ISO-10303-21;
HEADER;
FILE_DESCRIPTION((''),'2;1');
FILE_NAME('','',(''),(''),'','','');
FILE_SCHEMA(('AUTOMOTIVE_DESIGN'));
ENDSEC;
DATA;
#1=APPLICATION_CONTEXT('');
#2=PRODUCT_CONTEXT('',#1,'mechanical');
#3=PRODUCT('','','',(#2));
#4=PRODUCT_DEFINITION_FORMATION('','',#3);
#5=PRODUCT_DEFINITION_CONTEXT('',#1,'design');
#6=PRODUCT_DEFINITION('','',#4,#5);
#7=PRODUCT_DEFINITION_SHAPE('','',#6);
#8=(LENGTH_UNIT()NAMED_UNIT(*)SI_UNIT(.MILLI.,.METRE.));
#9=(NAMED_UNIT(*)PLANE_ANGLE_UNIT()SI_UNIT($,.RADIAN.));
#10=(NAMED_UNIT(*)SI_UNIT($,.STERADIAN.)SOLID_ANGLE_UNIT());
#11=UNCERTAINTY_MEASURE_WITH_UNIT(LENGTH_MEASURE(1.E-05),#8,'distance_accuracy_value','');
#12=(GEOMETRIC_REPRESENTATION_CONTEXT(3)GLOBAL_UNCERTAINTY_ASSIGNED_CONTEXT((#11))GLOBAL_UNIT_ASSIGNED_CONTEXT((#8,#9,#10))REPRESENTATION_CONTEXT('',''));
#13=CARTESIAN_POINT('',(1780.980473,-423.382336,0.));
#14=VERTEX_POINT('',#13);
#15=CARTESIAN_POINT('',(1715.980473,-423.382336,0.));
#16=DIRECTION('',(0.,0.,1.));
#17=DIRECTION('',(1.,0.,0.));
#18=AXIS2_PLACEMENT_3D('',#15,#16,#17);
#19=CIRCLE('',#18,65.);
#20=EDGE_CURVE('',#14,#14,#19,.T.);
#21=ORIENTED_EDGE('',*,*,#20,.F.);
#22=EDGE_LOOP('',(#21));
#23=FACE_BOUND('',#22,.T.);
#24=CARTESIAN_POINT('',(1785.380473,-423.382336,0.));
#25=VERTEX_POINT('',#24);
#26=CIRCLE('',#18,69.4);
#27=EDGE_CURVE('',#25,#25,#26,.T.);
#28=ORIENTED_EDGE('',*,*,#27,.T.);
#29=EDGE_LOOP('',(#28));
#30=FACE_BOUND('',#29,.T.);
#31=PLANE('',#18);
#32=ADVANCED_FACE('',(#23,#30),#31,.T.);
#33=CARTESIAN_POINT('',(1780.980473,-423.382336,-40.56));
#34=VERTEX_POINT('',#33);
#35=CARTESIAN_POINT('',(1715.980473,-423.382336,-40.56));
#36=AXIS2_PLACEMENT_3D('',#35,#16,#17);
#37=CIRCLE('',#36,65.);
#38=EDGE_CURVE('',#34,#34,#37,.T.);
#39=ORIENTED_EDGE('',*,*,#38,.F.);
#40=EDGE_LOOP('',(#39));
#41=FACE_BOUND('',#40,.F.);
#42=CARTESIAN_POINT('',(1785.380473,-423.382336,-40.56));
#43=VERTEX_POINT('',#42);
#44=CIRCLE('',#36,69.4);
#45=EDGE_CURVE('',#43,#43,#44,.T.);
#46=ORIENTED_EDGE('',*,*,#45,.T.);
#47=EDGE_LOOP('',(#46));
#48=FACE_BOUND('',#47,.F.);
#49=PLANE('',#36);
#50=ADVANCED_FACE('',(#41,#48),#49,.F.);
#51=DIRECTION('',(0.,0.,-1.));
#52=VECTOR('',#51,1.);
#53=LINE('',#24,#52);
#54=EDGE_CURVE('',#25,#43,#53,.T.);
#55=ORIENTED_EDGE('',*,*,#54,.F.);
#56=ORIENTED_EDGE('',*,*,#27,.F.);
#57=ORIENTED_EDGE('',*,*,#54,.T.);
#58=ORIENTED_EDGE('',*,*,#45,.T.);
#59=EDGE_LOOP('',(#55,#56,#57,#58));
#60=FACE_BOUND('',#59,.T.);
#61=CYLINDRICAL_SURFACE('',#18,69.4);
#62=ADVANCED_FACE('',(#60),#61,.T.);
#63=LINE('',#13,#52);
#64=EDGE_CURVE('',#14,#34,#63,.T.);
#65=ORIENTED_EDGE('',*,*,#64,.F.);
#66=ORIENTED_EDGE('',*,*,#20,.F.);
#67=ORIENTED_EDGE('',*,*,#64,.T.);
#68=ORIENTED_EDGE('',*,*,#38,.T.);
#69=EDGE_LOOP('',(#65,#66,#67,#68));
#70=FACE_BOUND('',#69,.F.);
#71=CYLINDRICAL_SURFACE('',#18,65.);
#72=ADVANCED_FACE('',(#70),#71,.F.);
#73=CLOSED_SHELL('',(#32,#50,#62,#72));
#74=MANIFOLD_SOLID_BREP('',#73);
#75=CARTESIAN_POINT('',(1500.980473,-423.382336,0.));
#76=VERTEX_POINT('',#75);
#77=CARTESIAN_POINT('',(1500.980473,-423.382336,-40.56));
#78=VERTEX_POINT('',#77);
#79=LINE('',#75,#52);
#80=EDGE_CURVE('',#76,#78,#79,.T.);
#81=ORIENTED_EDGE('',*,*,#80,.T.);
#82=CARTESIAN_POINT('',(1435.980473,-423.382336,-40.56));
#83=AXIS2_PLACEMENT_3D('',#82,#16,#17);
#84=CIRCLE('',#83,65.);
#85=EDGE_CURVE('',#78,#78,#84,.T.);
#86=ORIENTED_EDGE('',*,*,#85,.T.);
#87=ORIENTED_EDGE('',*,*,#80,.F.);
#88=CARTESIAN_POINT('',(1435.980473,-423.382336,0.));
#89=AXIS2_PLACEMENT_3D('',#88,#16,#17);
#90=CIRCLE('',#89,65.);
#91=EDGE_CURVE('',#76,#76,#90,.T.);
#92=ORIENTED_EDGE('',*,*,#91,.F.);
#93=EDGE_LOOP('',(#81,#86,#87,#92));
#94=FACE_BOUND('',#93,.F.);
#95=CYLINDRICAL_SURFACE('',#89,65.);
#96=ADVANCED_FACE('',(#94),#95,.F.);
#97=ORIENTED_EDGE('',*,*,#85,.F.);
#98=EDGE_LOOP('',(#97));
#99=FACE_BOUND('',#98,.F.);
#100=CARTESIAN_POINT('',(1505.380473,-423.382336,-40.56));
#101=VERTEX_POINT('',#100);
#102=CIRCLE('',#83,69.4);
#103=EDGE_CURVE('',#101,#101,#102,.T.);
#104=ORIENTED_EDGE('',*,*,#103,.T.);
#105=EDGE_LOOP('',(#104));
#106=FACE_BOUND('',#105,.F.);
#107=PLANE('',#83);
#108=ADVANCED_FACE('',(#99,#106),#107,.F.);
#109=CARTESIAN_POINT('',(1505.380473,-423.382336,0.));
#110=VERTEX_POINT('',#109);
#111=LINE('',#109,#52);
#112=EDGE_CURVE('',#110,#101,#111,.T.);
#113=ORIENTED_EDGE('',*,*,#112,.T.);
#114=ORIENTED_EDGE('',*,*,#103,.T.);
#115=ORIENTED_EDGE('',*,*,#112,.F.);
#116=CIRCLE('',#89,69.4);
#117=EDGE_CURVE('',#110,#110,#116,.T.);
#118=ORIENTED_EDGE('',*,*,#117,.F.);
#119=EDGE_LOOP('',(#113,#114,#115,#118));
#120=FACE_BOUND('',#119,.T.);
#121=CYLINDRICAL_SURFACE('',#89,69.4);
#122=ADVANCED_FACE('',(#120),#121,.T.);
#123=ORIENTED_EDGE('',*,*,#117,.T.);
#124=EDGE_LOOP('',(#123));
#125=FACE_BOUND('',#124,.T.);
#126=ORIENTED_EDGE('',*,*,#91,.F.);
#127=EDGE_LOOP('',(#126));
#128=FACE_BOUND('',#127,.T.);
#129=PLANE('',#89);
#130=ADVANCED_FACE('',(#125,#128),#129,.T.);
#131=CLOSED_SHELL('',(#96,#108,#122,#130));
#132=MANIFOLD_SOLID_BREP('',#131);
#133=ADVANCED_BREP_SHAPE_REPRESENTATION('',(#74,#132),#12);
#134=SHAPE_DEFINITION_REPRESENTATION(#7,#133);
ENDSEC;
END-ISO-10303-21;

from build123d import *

# Parameters (mm, degrees)
SKETCH1_R             = 69.4
SKETCH1_R_2           = 65
BOSS_EXTRUDE1_DEPTH   = 40.56
BOSS_EXTRUDE1_2_DEPTH = 40.56


with BuildPart() as part:
    # Sketch1 → Boss-Extrude1 (new body)
    with BuildSketch(Plane.XY):
        with Locations((1715.980472759, -423.382336202)):
            Circle(SKETCH1_R)
        with Locations((1715.980472759, -423.382336202)):
            Circle(SKETCH1_R_2, mode=Mode.SUBTRACT)
    extrude(amount=-BOSS_EXTRUDE1_DEPTH)


with BuildPart() as body_2:
    # Sketch1 → Boss-Extrude1 2 (new body)
    with BuildSketch(Plane.XY):
        with Locations((1435.980472759, -423.382336202)):
            Circle(SKETCH1_R)
        with Locations((1435.980472759, -423.382336202)):
            Circle(SKETCH1_R_2, mode=Mode.SUBTRACT)
    extrude(amount=-BOSS_EXTRUDE1_2_DEPTH)


solid = Compound([part.part, body_2.part])
